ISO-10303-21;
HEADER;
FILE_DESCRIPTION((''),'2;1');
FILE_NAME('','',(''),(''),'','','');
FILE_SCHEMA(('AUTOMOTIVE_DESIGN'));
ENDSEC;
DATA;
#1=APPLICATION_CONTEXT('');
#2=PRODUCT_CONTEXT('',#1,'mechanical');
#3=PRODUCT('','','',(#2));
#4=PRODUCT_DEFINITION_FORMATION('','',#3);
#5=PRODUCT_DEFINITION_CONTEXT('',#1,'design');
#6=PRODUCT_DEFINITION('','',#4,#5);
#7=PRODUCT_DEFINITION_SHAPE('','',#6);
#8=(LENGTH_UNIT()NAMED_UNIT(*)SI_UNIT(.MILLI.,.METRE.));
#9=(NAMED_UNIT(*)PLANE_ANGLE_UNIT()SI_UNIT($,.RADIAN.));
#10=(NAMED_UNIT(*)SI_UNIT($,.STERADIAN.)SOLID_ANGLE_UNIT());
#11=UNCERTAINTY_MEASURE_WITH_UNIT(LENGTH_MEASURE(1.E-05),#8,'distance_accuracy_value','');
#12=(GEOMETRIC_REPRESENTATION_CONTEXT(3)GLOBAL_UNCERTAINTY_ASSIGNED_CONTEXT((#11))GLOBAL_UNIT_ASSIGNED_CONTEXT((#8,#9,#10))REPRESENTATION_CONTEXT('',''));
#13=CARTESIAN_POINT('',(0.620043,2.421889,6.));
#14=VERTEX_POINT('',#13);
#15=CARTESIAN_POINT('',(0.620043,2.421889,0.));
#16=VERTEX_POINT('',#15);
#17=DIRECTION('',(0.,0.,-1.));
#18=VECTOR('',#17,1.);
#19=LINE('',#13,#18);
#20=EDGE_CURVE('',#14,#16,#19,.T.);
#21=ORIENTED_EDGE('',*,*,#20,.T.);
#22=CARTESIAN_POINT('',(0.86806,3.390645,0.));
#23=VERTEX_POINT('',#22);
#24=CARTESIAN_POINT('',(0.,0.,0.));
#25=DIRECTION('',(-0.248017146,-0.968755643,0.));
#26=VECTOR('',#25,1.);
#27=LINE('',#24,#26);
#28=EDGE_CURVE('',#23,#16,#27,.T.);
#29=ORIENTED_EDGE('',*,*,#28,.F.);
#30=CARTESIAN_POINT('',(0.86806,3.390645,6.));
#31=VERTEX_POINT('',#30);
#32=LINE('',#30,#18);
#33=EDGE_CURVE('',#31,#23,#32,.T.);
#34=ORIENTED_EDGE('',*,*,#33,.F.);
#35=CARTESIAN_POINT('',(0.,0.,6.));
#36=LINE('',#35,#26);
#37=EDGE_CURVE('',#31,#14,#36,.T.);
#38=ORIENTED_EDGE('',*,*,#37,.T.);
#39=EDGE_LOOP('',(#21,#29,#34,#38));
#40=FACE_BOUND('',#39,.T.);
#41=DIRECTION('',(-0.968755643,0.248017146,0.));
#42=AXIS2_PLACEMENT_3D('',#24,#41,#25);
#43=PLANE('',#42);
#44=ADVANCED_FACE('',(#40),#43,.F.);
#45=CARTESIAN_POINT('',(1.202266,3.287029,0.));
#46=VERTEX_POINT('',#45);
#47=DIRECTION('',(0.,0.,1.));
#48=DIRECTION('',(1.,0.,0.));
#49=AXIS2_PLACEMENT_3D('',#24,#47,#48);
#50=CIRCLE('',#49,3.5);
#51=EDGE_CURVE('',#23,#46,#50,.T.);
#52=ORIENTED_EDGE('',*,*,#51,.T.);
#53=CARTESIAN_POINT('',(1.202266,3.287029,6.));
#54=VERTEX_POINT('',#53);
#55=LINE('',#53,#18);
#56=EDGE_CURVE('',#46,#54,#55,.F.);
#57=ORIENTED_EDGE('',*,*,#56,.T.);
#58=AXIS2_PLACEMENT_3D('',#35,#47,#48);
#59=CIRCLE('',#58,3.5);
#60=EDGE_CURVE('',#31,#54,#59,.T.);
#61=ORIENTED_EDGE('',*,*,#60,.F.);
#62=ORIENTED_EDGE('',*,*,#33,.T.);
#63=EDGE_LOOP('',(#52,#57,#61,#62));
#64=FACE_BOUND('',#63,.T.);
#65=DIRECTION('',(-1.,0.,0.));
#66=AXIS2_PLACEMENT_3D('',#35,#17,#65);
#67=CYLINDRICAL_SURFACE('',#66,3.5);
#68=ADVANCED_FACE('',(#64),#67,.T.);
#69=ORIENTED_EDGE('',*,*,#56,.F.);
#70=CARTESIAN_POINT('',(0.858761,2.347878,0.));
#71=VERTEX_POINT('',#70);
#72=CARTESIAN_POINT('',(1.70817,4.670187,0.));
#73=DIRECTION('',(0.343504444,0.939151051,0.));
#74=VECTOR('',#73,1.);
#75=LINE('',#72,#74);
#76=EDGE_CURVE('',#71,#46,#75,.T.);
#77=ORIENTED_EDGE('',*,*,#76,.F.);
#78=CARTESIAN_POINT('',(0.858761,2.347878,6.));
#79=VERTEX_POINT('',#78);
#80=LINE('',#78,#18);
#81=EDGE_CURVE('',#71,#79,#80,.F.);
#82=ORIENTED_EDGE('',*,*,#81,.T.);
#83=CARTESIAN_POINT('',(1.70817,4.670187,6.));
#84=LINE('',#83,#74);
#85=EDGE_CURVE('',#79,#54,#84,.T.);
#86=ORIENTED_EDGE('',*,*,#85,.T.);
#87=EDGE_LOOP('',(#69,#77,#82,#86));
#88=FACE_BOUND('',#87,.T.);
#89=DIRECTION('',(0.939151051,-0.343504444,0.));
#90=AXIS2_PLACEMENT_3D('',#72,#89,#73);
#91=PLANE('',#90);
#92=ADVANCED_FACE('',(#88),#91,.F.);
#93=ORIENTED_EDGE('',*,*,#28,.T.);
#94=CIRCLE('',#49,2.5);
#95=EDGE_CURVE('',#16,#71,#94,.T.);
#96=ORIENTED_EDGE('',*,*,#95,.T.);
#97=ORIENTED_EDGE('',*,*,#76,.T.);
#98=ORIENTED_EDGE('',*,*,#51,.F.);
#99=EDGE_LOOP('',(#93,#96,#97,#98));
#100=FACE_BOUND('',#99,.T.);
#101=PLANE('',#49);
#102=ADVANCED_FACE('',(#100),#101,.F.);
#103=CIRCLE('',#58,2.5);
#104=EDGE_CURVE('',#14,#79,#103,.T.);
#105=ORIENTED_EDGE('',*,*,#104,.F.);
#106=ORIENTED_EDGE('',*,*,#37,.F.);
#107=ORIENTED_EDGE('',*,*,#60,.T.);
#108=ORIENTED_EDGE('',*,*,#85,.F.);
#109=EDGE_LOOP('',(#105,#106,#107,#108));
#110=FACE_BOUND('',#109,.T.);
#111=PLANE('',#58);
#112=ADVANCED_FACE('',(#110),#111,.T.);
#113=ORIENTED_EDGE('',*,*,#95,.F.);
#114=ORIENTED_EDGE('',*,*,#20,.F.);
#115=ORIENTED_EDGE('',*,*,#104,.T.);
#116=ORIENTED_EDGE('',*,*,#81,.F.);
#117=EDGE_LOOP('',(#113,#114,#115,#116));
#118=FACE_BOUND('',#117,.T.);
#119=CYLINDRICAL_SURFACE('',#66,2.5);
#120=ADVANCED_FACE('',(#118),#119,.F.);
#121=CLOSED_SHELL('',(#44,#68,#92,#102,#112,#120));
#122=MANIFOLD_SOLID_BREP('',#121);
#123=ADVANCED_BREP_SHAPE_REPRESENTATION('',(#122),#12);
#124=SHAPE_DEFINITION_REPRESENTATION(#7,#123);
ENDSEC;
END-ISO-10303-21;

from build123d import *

# Parameters (mm, degrees)
SKETCH_1_R          = 3.5
SKETCH_1_R_2        = 2.5
EXTRUDE_1_DEPTH     = 6
CUT_EXTRUDE_1_DEPTH = 6


with BuildPart() as part:
    # 草图1 → 凸台-拉伸1 (new body)
    with BuildSketch(Plane.XY):
        Circle(SKETCH_1_R)
        Circle(SKETCH_1_R_2, mode=Mode.SUBTRACT)
    extrude(amount=EXTRUDE_1_DEPTH)

    # 草图2 → 切除-拉伸1 (cut)
    with BuildSketch(Plane.XY.offset(6)):
        Polygon((0, 0), (1.195643568, 4.670187004), (1.708170359, 4.670187004), align=None)
    extrude(amount=-CUT_EXTRUDE_1_DEPTH, mode=Mode.SUBTRACT)


solid = part.part
